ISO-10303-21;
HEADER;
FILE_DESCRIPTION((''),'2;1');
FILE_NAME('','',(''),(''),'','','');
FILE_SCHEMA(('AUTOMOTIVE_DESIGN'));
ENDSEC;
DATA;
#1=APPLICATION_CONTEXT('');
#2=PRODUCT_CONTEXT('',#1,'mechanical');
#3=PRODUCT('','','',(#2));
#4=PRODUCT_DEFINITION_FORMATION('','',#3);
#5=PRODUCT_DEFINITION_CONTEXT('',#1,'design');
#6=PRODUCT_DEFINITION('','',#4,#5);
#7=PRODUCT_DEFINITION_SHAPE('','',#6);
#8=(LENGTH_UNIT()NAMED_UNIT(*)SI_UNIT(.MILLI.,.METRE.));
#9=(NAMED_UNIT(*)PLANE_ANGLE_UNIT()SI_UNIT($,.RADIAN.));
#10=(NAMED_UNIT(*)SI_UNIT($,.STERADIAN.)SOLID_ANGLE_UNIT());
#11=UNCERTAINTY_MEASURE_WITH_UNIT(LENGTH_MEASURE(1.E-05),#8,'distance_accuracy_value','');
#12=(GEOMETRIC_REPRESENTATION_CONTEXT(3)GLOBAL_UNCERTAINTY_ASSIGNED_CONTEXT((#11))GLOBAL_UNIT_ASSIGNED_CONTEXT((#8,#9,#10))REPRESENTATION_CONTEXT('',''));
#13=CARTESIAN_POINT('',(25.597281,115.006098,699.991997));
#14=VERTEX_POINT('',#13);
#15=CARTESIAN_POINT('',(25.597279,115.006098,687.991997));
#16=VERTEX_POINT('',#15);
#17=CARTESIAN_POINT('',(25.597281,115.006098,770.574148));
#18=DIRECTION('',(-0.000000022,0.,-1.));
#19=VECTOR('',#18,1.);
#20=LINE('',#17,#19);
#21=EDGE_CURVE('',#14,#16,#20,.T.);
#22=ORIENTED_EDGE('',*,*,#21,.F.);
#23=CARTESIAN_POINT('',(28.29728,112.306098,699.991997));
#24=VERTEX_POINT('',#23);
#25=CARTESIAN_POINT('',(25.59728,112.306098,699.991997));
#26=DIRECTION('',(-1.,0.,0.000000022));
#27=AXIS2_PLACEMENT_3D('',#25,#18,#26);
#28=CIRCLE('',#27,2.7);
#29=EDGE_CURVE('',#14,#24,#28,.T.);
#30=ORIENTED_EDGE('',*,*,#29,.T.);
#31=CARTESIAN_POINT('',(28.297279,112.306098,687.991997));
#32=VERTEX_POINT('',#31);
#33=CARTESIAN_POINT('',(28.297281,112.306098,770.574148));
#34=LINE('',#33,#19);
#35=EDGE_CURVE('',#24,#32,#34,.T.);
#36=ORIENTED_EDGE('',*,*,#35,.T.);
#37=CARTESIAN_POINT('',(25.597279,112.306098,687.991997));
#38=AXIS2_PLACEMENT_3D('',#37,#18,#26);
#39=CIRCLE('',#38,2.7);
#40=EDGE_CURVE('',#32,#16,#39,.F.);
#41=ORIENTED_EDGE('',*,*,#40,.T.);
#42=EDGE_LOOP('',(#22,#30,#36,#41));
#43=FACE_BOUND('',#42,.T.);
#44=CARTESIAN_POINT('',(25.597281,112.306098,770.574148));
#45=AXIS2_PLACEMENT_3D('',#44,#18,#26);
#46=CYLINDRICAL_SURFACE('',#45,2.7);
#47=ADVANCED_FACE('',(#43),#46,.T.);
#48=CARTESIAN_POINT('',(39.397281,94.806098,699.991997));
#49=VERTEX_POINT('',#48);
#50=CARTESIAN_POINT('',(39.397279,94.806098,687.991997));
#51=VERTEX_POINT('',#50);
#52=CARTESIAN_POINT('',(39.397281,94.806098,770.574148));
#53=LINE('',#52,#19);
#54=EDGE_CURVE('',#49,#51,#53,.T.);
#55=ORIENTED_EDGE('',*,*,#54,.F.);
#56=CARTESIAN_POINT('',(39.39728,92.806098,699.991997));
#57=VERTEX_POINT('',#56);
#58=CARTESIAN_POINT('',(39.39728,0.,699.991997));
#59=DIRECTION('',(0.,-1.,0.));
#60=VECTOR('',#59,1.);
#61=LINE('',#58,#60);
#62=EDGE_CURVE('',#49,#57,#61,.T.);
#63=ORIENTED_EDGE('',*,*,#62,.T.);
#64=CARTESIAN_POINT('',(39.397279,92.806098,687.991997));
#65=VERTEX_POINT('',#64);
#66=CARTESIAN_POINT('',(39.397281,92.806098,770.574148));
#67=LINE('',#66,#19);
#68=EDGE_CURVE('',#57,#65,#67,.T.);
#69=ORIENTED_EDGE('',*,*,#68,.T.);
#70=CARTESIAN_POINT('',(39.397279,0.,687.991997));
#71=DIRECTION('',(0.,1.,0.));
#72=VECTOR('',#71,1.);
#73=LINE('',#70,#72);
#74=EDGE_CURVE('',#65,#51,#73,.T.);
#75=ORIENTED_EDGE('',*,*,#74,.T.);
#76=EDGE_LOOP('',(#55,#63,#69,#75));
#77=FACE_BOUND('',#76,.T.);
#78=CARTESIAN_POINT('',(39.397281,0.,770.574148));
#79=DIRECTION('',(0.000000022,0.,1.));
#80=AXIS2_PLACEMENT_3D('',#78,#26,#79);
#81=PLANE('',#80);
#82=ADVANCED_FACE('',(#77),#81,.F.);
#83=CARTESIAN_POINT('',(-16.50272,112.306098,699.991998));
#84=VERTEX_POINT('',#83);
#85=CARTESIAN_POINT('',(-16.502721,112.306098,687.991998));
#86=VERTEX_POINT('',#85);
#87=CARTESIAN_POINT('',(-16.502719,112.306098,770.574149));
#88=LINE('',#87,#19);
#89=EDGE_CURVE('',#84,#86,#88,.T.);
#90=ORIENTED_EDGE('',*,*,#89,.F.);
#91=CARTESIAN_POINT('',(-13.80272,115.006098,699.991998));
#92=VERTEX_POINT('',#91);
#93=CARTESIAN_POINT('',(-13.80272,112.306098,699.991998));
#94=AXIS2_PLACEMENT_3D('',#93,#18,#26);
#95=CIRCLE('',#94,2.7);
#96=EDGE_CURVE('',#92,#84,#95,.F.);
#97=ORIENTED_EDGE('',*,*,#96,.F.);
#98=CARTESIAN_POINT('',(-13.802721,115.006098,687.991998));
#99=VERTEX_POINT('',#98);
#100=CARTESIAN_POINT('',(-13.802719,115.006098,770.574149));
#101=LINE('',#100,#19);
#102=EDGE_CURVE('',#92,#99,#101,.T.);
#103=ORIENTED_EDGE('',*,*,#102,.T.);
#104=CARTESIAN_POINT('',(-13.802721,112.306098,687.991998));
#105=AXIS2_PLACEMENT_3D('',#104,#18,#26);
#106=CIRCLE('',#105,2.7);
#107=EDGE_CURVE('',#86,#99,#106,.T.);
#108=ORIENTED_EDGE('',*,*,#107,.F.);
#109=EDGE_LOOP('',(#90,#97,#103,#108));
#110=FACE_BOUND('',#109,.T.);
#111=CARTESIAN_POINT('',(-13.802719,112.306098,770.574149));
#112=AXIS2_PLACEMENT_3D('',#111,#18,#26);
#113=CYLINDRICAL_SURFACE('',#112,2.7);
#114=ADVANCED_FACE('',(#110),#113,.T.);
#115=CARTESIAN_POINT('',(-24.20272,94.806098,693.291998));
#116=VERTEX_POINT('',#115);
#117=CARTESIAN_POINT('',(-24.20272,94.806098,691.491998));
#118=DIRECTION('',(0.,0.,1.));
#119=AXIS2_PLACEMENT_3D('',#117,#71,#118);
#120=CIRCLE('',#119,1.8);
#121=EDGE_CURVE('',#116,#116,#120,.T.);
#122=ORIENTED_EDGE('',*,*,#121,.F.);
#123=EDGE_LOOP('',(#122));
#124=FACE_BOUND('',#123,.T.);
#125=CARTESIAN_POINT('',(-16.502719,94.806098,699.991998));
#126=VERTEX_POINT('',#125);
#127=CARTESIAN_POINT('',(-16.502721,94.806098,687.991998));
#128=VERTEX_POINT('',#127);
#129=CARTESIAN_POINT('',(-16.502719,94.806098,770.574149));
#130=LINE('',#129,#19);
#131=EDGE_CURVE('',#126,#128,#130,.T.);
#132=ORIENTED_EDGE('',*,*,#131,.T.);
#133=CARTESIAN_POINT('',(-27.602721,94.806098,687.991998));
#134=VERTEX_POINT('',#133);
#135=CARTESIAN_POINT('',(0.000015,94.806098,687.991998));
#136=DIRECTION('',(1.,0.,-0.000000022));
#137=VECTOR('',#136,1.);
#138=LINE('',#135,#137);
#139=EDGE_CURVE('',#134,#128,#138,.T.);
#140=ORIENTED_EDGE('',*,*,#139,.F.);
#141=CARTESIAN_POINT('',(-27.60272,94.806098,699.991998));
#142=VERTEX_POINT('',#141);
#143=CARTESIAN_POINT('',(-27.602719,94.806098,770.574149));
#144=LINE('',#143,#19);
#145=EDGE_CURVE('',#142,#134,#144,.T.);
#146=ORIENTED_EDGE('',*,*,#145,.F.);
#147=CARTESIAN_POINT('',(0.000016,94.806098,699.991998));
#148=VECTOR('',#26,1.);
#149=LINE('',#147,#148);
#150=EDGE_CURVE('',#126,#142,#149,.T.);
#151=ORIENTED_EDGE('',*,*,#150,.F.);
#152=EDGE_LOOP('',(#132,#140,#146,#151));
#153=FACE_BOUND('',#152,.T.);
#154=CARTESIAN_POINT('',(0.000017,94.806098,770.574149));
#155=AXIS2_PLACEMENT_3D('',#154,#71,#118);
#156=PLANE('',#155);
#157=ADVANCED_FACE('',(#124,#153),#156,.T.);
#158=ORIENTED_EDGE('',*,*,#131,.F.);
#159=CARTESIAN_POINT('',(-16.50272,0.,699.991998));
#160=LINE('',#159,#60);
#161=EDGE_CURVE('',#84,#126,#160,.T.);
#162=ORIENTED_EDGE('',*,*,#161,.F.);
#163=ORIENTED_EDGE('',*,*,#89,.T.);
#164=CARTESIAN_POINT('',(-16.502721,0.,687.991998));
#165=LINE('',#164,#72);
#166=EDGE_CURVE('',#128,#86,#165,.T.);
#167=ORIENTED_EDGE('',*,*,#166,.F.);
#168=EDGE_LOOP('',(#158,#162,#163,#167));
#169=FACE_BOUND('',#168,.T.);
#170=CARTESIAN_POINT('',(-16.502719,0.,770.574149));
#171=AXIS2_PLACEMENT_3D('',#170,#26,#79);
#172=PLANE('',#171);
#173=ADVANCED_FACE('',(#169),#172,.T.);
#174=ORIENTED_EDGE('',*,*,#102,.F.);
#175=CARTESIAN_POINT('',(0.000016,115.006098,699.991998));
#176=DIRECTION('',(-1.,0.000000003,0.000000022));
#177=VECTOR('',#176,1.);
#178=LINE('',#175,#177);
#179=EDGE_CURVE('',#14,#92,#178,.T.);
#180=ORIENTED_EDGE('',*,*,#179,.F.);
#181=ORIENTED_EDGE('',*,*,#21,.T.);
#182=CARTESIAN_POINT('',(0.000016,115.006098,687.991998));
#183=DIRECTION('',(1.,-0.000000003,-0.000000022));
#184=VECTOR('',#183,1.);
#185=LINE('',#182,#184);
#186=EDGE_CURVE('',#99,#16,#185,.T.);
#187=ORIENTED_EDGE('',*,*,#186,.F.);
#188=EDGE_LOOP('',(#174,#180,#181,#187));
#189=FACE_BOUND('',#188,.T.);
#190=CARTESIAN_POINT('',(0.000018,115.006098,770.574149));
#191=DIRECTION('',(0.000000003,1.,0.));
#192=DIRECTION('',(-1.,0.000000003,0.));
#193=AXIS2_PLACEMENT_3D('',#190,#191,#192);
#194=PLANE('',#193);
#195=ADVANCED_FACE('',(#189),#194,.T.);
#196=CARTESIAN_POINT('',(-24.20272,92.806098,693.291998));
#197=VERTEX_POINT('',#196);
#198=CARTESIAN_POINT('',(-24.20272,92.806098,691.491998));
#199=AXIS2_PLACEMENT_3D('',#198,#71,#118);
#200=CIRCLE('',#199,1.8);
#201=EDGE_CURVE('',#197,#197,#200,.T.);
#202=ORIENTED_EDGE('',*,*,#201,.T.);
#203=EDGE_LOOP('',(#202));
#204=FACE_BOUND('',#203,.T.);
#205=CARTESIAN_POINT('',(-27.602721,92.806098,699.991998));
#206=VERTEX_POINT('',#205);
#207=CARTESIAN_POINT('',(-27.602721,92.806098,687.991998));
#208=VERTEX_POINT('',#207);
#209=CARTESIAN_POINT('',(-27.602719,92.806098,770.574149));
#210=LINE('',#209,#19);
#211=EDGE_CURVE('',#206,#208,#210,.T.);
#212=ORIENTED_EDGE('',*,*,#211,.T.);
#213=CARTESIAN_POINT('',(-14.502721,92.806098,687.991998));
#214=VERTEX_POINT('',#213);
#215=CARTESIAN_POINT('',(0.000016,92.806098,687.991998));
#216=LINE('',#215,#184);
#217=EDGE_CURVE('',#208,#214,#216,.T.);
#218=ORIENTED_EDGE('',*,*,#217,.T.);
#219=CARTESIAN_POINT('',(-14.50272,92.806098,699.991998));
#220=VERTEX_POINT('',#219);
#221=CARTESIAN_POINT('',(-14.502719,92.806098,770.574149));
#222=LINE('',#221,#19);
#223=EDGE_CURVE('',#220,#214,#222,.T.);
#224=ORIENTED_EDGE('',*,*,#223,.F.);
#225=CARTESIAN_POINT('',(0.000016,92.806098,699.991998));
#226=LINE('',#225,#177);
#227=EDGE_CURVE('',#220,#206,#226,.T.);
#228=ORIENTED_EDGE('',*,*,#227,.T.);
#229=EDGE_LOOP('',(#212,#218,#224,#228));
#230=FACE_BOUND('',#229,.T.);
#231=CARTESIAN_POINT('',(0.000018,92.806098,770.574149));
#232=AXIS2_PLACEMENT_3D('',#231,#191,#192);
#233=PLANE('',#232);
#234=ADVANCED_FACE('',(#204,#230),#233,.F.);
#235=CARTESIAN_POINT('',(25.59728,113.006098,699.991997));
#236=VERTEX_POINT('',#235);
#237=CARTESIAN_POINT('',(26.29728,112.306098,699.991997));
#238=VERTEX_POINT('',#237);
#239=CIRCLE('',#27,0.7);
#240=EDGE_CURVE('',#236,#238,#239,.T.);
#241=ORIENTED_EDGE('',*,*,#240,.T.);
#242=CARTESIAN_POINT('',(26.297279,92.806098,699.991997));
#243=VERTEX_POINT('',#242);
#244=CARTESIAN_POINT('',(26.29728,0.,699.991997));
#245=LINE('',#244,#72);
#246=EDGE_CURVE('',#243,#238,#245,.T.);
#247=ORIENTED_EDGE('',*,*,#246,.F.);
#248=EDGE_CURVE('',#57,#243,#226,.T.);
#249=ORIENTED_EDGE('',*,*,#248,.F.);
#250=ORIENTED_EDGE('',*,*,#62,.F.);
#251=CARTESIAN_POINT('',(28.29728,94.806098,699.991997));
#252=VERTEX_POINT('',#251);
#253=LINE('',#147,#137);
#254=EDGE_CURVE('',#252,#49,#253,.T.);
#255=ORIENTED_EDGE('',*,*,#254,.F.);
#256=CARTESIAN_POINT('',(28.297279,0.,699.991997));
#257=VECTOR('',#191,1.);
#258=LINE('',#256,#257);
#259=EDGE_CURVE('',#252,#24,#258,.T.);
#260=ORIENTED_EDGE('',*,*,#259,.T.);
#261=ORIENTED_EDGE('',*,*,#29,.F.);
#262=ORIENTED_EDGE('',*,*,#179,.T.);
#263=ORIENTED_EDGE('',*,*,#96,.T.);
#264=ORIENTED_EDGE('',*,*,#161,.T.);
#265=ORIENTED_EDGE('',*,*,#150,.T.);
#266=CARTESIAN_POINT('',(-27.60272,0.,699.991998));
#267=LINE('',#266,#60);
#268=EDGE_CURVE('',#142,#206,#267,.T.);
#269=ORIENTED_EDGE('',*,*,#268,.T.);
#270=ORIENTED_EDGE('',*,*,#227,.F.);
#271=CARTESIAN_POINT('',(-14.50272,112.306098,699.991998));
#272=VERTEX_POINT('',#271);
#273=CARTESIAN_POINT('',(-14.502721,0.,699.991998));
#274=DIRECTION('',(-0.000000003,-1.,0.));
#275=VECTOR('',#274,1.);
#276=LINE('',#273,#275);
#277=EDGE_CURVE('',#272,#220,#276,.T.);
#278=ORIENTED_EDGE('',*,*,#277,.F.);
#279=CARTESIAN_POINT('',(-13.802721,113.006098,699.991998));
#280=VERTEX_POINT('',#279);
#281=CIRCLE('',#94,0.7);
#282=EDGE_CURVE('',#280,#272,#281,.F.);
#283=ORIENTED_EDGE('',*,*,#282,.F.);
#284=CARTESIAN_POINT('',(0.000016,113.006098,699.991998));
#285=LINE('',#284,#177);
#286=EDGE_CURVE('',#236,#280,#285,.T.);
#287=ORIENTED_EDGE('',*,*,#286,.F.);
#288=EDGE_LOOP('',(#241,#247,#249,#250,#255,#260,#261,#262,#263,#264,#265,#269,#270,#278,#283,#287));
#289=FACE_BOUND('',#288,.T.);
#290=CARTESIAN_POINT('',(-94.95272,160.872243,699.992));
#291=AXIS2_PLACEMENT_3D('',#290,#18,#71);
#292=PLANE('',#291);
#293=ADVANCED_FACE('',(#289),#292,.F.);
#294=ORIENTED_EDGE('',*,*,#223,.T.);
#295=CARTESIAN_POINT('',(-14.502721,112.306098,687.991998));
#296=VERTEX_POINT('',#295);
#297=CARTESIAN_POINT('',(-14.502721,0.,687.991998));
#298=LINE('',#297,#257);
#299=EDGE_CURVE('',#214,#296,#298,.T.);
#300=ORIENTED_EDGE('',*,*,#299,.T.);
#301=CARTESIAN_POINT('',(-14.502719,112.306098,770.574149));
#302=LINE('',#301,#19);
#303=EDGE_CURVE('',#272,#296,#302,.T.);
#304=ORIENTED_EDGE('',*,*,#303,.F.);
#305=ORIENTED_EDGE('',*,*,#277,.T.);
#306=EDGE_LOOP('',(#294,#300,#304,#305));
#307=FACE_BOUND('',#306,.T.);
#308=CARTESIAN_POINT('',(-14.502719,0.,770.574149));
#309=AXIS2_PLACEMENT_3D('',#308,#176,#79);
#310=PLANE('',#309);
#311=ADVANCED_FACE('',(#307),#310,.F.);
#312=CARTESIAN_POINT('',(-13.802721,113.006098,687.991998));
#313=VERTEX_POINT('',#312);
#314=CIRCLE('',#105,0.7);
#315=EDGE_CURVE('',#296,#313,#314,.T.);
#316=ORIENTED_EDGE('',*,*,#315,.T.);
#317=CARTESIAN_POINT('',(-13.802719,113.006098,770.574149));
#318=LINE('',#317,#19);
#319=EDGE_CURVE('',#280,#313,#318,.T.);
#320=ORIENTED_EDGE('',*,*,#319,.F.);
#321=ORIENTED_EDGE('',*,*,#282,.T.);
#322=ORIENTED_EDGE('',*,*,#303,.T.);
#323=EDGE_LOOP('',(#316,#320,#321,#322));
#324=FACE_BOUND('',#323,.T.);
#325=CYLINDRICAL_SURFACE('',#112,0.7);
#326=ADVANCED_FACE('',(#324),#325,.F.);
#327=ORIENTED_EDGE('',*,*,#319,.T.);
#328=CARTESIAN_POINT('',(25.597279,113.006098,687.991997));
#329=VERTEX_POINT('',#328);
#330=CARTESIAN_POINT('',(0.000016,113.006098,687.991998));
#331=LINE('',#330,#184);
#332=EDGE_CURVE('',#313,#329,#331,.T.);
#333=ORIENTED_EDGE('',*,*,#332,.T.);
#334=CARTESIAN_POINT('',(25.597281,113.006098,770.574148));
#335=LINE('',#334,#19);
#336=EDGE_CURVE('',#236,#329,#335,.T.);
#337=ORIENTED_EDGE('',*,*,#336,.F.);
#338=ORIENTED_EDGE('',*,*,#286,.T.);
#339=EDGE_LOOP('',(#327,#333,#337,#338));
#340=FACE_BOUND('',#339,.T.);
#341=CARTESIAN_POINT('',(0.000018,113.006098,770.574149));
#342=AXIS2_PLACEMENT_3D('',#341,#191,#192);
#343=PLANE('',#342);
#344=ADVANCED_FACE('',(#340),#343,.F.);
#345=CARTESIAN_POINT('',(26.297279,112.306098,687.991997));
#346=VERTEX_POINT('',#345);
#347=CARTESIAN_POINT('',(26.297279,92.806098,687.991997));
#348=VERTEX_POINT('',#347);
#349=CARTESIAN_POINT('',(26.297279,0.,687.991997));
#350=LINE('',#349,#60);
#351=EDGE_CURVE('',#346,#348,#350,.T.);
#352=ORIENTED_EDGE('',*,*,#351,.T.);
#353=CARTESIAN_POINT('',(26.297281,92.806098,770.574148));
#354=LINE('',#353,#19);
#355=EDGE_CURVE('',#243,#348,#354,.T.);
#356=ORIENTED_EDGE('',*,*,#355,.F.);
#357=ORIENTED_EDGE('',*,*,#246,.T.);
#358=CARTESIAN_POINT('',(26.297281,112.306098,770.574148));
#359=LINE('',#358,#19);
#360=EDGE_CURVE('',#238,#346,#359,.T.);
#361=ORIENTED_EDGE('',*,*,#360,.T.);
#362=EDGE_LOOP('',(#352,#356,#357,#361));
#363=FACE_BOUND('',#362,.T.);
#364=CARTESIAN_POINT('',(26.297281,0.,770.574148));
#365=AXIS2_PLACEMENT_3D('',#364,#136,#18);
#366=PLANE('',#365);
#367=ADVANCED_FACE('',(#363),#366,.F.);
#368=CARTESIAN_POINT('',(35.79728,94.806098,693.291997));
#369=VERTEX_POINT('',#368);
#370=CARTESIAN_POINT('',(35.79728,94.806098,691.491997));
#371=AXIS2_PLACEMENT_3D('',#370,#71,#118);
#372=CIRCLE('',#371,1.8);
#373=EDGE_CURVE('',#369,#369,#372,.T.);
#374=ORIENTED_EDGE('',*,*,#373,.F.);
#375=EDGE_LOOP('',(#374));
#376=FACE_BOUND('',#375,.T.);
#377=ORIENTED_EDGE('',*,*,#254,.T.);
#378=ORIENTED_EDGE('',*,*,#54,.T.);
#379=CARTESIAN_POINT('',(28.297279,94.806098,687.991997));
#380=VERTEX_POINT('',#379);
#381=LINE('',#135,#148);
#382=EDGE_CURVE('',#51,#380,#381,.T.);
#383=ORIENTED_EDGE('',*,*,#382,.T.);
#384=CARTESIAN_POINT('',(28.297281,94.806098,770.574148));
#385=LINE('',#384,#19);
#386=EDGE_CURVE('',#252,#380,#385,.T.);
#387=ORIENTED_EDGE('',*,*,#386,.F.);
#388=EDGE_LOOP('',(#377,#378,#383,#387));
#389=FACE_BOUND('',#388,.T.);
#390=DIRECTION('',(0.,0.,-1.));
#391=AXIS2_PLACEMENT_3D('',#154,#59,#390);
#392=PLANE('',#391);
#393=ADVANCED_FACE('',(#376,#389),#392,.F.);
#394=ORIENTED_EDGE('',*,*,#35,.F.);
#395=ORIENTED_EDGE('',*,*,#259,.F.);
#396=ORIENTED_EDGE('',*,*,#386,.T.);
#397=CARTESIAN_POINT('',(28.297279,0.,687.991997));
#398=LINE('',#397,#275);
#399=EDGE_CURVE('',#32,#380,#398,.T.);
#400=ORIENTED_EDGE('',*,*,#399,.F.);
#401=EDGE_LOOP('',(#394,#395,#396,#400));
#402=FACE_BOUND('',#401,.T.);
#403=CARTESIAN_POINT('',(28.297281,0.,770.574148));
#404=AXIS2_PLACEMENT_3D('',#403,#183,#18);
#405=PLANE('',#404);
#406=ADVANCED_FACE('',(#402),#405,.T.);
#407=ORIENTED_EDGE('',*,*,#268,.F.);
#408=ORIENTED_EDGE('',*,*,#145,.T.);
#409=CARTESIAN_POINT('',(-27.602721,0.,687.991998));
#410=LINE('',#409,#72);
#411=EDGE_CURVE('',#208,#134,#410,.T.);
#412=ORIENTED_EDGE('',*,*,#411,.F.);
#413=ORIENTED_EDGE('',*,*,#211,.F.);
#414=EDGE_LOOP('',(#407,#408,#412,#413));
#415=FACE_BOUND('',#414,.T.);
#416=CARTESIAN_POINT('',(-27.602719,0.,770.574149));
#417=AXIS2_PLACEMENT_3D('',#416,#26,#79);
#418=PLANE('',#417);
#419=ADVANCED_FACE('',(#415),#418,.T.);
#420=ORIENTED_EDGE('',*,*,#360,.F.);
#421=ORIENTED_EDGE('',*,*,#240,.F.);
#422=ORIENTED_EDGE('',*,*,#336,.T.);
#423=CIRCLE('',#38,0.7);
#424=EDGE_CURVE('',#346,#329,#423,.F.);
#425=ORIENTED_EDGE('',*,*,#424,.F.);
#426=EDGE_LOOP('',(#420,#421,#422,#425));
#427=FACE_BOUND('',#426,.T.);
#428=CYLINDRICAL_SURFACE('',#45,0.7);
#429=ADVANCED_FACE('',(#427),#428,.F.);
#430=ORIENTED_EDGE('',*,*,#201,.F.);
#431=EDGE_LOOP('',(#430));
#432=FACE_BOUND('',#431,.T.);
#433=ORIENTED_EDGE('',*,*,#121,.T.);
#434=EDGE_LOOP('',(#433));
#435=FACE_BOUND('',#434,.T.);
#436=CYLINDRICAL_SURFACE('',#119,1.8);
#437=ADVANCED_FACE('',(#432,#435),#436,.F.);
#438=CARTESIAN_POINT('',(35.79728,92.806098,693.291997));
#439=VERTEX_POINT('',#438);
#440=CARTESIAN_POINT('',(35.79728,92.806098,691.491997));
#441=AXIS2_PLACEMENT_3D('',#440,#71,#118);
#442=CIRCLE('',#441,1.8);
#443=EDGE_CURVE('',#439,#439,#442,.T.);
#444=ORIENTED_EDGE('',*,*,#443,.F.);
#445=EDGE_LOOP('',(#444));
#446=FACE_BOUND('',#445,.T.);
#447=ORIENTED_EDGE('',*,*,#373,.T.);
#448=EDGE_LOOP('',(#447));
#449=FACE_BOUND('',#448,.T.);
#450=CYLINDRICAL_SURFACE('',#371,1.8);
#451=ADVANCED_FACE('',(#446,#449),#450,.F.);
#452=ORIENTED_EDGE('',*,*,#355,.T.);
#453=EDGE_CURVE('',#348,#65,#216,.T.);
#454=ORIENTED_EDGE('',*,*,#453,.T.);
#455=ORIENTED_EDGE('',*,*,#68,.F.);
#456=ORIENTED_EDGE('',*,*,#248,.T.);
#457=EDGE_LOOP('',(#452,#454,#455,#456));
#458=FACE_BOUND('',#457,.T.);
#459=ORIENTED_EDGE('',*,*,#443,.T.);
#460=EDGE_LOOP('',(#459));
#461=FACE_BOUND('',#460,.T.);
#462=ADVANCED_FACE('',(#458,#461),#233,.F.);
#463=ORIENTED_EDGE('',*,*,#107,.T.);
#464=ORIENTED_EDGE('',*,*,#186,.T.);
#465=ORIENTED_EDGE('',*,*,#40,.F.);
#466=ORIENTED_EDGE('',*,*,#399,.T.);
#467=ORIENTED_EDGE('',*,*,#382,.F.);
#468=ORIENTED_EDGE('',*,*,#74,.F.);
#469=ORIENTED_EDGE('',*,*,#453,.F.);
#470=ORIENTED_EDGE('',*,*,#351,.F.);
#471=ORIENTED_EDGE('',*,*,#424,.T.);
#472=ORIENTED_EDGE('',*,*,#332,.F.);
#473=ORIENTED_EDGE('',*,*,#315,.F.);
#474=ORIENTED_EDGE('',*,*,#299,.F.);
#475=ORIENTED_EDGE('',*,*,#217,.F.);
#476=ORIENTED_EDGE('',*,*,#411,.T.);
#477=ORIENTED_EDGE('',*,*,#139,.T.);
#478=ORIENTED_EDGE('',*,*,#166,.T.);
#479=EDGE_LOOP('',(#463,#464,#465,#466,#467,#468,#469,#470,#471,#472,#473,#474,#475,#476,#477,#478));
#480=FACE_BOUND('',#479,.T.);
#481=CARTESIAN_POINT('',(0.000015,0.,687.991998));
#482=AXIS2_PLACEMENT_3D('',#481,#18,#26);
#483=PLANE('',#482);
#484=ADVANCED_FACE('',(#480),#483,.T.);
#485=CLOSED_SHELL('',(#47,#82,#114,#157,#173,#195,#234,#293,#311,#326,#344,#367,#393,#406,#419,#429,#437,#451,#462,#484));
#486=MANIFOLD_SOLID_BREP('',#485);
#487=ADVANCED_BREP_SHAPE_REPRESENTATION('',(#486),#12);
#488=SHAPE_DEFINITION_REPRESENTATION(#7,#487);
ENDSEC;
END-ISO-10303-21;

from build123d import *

# Parameters (mm, degrees)
BOSS_EXTRUDE1_DEPTH  = 12
M3_CLEARANCE_HOLE1_D = 3.6


with BuildPart() as part:
    # Sketch2 → Boss-Extrude1 (new body)
    with BuildSketch(Plane(origin=(-74.202720672, 5.306098308, 687.991999443), x_dir=(0.9999999999999999, 0, -2.239969215025861e-08), z_dir=(2.239969215025861e-08, 0, 0.9999999999999999))):
        with BuildLine():
            Line((59.700000081, 87.500000033), (59.700000081, 88.000000033))
            Line((59.700000081, 88.000000033), (59.700000142, 107.000000033))
            ThreePointArc((59.700000142, 107.000000033), (59.905025396, 107.494974779), (60.400000144, 107.70000003))
            Line((60.400000144, 107.70000003), (99.800000144, 107.699999904))
            ThreePointArc((99.800000144, 107.699999904), (100.29497489, 107.49497465), (100.500000142, 106.999999902))
            Line((100.500000142, 106.999999902), (100.500000081, 87.999999902))
            Line((100.500000081, 87.999999902), (100.500000081, 87.499999902))
            Line((100.500000081, 87.499999902), (113.600000142, 87.49999986))
            Line((113.600000142, 87.49999986), (113.600000142, 89.49999986))
            Line((113.600000142, 89.49999986), (102.500000086, 89.49999986))
            Line((102.500000086, 89.49999986), (102.500000142, 106.999999896))
            ThreePointArc((102.500000142, 106.999999896), (101.709188457, 108.909188207), (99.80000015, 109.699999904))
            Line((99.80000015, 109.699999904), (60.40000015, 109.70000003))
            ThreePointArc((60.40000015, 109.70000003), (58.490811839, 108.909188346), (57.700000142, 107.000000039))
            Line((57.700000142, 107.000000039), (57.700000142, 89.500000075))
            Line((57.700000142, 89.500000075), (46.600000142, 89.500000075))
            Line((46.600000142, 89.500000075), (46.600000142, 87.500000075))
            Line((46.600000142, 87.500000075), (59.700000081, 87.500000033))
        make_face()
    extrude(amount=BOSS_EXTRUDE1_DEPTH)

    # M3 Clearance Hole1 (through all)
    with Locations(Plane(origin=(0, 94.806098383, 0), x_dir=(1, 0, 0), z_dir=(0, 1, 0))):
        with Locations((-24.202720482, -691.491998323), (35.797279518, -691.491996979)):
            Hole(M3_CLEARANCE_HOLE1_D / 2)


solid = part.part
